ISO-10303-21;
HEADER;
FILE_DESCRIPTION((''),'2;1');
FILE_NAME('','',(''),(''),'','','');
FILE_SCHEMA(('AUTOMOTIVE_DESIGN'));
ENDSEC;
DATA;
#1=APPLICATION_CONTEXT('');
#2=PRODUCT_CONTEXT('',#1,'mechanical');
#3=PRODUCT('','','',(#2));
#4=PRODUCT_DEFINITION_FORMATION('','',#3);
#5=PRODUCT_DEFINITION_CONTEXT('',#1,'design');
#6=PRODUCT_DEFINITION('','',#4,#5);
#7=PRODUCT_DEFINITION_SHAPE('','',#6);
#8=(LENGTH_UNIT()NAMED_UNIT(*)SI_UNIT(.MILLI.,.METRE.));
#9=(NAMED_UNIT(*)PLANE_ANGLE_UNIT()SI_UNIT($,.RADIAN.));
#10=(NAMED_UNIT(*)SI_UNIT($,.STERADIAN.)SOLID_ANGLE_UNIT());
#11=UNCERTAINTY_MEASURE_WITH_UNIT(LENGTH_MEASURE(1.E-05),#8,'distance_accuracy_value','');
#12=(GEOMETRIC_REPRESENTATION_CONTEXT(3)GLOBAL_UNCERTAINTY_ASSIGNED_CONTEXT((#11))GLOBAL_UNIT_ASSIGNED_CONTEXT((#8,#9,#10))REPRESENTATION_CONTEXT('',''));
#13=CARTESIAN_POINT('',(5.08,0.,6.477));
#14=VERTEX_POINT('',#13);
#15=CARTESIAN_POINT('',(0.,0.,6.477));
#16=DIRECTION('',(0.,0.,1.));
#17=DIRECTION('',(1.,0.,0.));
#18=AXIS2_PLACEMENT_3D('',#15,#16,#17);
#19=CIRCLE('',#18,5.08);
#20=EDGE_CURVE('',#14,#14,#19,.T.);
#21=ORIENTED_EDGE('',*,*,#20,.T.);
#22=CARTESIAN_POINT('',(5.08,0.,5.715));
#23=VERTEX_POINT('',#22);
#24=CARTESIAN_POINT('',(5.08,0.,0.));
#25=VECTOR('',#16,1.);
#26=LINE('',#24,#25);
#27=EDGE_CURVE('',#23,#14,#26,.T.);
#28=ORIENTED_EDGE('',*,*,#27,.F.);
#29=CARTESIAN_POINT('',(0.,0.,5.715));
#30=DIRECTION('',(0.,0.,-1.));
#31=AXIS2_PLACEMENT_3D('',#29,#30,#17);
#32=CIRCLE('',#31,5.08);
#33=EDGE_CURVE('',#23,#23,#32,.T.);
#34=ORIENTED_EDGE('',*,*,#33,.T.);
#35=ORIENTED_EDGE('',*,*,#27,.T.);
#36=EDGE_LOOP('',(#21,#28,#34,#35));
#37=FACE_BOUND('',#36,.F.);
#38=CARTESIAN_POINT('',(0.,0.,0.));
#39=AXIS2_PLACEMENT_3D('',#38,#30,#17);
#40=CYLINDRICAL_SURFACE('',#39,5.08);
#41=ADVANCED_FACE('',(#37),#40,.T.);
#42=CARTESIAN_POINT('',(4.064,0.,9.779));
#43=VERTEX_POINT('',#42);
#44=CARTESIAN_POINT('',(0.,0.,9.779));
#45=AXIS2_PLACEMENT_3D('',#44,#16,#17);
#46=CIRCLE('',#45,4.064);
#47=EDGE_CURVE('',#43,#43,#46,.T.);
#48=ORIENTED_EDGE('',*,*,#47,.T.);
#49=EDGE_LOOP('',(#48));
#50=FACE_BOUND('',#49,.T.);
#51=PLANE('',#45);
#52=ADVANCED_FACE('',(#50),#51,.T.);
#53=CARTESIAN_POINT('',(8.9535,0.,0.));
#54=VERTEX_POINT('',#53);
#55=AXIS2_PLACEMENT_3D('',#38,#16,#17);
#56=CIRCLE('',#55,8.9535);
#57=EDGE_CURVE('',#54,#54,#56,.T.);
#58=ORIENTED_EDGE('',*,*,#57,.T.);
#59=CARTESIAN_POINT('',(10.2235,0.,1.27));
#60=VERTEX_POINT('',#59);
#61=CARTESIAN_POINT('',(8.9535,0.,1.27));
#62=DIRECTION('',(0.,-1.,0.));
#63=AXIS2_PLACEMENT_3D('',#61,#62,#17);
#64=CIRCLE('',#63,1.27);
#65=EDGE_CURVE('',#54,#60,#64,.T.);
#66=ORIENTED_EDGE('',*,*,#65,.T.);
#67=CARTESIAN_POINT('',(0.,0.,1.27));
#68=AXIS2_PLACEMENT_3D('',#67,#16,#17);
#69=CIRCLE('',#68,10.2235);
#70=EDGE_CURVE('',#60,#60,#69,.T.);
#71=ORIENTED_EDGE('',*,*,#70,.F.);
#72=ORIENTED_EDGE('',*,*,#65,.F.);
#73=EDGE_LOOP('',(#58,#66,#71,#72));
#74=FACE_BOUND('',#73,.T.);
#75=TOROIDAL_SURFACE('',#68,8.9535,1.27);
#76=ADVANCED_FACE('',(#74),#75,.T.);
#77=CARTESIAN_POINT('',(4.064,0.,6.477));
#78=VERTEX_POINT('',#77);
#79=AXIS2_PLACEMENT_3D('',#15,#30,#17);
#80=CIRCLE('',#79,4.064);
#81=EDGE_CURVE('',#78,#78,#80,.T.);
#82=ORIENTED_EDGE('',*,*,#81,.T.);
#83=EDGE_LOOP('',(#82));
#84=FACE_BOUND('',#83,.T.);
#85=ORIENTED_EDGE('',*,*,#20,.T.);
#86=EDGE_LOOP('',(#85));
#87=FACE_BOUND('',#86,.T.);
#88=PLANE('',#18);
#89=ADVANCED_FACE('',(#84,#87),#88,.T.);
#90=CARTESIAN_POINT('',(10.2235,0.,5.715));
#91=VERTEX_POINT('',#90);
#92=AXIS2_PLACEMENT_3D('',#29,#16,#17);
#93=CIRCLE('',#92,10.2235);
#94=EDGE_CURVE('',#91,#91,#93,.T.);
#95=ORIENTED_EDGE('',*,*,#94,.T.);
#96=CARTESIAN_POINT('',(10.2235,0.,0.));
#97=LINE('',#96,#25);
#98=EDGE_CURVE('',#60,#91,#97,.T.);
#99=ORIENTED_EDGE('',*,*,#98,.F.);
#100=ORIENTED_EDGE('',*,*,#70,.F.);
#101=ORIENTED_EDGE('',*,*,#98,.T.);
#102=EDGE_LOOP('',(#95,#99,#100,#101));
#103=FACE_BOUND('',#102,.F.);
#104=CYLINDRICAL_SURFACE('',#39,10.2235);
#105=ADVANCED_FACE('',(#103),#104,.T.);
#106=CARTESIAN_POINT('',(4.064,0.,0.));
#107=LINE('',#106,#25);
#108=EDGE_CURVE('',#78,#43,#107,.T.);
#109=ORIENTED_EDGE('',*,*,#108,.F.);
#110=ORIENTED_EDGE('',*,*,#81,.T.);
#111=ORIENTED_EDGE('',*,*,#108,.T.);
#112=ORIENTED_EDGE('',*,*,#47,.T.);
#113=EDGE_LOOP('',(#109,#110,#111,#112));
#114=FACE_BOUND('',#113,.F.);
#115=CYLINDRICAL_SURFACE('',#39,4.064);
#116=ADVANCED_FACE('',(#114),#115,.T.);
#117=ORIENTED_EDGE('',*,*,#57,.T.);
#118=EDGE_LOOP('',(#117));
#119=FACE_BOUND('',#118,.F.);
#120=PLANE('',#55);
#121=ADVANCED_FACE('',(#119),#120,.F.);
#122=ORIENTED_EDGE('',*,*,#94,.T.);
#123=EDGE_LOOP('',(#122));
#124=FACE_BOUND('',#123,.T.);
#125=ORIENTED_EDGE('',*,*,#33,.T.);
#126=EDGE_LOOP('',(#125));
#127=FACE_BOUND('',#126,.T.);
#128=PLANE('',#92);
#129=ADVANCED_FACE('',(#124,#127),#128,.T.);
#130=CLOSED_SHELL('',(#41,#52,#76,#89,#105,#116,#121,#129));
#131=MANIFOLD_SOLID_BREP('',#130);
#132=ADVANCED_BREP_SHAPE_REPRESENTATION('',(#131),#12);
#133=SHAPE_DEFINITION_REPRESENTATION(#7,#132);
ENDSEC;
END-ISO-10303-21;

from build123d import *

# Parameters (mm, degrees)
F0_R     = 10.2235
F3_DEPTH = 5.715
F1_R     = 5.08
F4_DEPTH = 6.477
F2_R     = 4.064
F5_DEPTH = 9.779
F6_R     = 1.27


with BuildPart() as f3:
    # F0 (on Top) → F3 (new body)
    with BuildSketch(Plane.XY):
        Circle(F0_R)
    extrude(amount=F3_DEPTH)

    # F1 (on Top) → F4 (join)
    with BuildSketch(Plane.XY):
        Circle(F1_R)
    extrude(amount=F4_DEPTH)

    # F2 (on Top) → F5 (join)
    with BuildSketch(Plane.XY):
        Circle(F2_R)
    extrude(amount=F5_DEPTH)

    # F6
    f6_edges = [f3.edges().sort_by_distance(p)[0] for p in [
        (-10.2235, 0, 0),
    ]]
    fillet(f6_edges, radius=F6_R)


solid = f3.part
